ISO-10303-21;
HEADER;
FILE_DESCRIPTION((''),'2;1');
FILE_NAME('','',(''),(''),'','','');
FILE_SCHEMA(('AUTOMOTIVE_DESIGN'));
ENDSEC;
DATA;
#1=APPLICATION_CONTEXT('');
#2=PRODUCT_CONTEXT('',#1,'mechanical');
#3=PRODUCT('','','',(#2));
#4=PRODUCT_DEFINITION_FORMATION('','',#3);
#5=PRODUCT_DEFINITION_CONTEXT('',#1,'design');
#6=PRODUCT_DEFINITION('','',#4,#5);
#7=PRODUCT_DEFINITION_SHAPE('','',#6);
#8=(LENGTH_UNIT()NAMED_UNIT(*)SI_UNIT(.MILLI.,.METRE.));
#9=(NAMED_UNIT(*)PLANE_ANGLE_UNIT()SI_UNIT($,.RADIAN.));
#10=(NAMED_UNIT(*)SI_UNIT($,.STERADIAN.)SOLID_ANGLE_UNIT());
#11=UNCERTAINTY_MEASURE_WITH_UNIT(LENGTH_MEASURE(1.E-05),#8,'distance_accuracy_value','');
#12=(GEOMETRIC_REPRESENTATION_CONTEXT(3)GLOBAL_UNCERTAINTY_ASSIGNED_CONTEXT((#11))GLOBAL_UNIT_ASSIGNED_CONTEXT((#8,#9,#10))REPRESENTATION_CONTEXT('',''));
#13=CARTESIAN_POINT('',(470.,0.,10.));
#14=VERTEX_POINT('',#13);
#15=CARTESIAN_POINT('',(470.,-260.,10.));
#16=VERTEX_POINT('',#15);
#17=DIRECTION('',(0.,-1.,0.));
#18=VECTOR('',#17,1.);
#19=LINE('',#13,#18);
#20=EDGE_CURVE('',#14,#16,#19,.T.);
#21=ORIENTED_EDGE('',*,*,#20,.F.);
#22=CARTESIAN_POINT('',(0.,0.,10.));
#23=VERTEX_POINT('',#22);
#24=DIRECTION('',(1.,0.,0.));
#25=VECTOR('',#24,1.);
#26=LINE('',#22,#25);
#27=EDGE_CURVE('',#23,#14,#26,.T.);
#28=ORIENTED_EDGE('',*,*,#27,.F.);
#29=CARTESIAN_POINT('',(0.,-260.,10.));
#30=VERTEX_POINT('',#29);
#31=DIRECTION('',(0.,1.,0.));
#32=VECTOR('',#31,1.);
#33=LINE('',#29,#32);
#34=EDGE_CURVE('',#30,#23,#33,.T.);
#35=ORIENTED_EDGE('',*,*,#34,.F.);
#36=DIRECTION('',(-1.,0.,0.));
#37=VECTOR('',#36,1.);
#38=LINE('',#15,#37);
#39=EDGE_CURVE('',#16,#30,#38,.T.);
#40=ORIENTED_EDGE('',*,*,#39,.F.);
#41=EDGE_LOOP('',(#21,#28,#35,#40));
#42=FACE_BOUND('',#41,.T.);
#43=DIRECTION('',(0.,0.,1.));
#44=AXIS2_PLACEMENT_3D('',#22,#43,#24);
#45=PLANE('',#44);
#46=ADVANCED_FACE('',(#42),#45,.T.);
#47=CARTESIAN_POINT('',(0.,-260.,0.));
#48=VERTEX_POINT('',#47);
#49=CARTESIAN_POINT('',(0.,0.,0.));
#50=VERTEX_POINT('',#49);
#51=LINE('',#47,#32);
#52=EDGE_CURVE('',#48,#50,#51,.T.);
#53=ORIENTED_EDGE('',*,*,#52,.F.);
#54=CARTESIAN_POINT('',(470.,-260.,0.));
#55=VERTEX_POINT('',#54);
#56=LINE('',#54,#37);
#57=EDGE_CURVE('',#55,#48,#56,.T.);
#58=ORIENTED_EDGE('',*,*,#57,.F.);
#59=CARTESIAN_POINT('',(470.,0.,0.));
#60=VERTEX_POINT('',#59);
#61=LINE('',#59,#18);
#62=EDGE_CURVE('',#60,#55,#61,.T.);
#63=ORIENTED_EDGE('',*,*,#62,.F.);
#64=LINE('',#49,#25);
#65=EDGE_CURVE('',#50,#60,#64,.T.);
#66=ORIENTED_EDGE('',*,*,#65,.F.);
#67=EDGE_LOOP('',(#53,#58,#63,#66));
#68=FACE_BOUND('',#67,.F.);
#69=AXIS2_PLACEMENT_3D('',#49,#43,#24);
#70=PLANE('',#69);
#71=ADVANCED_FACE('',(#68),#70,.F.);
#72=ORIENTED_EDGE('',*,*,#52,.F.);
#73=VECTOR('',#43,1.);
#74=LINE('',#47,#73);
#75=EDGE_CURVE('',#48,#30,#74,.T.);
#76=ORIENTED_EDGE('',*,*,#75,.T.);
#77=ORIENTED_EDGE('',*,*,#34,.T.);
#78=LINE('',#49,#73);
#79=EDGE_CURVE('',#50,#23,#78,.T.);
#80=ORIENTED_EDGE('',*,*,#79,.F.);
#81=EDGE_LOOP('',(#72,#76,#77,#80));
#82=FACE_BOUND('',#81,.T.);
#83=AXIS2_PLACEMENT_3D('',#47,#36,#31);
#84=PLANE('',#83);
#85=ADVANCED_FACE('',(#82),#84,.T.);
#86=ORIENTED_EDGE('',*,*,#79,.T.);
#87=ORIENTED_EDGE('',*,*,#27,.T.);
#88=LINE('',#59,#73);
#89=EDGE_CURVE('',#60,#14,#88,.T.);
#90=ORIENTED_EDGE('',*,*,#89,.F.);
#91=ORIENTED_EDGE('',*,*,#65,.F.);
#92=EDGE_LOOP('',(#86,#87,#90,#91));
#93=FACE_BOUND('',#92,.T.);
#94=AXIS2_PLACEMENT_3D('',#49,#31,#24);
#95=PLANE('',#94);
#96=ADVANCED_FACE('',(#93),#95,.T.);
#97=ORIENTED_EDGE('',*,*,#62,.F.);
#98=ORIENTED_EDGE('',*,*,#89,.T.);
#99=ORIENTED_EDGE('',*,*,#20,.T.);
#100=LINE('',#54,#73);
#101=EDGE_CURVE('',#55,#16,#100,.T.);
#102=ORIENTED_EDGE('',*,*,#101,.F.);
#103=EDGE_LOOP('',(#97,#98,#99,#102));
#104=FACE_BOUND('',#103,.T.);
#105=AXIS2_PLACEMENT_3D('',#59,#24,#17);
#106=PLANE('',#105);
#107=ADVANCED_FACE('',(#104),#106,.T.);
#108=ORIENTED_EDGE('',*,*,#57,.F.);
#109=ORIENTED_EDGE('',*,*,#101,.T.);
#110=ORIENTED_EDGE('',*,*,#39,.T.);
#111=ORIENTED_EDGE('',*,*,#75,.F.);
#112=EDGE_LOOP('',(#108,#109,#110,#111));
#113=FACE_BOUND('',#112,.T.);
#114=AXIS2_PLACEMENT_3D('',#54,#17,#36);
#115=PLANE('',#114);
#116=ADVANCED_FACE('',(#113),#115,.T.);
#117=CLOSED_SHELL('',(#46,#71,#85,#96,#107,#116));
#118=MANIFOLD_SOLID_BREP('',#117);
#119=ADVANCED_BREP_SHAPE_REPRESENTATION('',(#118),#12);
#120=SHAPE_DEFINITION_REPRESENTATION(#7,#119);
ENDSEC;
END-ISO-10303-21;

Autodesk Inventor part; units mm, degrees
ref_plane "YZ Plane" through (0, 0, 0) normal (1, 0, 0) x (0, 1, 0)
ref_plane "XZ Plane" through (0, 0, 0) normal (0, 1, 0) x (-1, 0, 0)
ref_plane "XY Plane" through (0, 0, 0) normal (0, 0, 1) x (1, 0, 0)
sketch "Sketch1" plane through (0, 0, 0) normal (0, 0, 1) x (1, 0, 0)
  line L0 (0, 0) -> (470, 0)
  line L1 (470, 0) -> (470, -260)
  line L2 (470, -260) -> (0, -260)
  line L3 (0, -260) -> (0, 0)
  dimension "d0" = 470
  dimension "d1" = 260
extrude "Extrusion1" add sketch "Sketch1" along normal blind 10
properties part number "new lower"
